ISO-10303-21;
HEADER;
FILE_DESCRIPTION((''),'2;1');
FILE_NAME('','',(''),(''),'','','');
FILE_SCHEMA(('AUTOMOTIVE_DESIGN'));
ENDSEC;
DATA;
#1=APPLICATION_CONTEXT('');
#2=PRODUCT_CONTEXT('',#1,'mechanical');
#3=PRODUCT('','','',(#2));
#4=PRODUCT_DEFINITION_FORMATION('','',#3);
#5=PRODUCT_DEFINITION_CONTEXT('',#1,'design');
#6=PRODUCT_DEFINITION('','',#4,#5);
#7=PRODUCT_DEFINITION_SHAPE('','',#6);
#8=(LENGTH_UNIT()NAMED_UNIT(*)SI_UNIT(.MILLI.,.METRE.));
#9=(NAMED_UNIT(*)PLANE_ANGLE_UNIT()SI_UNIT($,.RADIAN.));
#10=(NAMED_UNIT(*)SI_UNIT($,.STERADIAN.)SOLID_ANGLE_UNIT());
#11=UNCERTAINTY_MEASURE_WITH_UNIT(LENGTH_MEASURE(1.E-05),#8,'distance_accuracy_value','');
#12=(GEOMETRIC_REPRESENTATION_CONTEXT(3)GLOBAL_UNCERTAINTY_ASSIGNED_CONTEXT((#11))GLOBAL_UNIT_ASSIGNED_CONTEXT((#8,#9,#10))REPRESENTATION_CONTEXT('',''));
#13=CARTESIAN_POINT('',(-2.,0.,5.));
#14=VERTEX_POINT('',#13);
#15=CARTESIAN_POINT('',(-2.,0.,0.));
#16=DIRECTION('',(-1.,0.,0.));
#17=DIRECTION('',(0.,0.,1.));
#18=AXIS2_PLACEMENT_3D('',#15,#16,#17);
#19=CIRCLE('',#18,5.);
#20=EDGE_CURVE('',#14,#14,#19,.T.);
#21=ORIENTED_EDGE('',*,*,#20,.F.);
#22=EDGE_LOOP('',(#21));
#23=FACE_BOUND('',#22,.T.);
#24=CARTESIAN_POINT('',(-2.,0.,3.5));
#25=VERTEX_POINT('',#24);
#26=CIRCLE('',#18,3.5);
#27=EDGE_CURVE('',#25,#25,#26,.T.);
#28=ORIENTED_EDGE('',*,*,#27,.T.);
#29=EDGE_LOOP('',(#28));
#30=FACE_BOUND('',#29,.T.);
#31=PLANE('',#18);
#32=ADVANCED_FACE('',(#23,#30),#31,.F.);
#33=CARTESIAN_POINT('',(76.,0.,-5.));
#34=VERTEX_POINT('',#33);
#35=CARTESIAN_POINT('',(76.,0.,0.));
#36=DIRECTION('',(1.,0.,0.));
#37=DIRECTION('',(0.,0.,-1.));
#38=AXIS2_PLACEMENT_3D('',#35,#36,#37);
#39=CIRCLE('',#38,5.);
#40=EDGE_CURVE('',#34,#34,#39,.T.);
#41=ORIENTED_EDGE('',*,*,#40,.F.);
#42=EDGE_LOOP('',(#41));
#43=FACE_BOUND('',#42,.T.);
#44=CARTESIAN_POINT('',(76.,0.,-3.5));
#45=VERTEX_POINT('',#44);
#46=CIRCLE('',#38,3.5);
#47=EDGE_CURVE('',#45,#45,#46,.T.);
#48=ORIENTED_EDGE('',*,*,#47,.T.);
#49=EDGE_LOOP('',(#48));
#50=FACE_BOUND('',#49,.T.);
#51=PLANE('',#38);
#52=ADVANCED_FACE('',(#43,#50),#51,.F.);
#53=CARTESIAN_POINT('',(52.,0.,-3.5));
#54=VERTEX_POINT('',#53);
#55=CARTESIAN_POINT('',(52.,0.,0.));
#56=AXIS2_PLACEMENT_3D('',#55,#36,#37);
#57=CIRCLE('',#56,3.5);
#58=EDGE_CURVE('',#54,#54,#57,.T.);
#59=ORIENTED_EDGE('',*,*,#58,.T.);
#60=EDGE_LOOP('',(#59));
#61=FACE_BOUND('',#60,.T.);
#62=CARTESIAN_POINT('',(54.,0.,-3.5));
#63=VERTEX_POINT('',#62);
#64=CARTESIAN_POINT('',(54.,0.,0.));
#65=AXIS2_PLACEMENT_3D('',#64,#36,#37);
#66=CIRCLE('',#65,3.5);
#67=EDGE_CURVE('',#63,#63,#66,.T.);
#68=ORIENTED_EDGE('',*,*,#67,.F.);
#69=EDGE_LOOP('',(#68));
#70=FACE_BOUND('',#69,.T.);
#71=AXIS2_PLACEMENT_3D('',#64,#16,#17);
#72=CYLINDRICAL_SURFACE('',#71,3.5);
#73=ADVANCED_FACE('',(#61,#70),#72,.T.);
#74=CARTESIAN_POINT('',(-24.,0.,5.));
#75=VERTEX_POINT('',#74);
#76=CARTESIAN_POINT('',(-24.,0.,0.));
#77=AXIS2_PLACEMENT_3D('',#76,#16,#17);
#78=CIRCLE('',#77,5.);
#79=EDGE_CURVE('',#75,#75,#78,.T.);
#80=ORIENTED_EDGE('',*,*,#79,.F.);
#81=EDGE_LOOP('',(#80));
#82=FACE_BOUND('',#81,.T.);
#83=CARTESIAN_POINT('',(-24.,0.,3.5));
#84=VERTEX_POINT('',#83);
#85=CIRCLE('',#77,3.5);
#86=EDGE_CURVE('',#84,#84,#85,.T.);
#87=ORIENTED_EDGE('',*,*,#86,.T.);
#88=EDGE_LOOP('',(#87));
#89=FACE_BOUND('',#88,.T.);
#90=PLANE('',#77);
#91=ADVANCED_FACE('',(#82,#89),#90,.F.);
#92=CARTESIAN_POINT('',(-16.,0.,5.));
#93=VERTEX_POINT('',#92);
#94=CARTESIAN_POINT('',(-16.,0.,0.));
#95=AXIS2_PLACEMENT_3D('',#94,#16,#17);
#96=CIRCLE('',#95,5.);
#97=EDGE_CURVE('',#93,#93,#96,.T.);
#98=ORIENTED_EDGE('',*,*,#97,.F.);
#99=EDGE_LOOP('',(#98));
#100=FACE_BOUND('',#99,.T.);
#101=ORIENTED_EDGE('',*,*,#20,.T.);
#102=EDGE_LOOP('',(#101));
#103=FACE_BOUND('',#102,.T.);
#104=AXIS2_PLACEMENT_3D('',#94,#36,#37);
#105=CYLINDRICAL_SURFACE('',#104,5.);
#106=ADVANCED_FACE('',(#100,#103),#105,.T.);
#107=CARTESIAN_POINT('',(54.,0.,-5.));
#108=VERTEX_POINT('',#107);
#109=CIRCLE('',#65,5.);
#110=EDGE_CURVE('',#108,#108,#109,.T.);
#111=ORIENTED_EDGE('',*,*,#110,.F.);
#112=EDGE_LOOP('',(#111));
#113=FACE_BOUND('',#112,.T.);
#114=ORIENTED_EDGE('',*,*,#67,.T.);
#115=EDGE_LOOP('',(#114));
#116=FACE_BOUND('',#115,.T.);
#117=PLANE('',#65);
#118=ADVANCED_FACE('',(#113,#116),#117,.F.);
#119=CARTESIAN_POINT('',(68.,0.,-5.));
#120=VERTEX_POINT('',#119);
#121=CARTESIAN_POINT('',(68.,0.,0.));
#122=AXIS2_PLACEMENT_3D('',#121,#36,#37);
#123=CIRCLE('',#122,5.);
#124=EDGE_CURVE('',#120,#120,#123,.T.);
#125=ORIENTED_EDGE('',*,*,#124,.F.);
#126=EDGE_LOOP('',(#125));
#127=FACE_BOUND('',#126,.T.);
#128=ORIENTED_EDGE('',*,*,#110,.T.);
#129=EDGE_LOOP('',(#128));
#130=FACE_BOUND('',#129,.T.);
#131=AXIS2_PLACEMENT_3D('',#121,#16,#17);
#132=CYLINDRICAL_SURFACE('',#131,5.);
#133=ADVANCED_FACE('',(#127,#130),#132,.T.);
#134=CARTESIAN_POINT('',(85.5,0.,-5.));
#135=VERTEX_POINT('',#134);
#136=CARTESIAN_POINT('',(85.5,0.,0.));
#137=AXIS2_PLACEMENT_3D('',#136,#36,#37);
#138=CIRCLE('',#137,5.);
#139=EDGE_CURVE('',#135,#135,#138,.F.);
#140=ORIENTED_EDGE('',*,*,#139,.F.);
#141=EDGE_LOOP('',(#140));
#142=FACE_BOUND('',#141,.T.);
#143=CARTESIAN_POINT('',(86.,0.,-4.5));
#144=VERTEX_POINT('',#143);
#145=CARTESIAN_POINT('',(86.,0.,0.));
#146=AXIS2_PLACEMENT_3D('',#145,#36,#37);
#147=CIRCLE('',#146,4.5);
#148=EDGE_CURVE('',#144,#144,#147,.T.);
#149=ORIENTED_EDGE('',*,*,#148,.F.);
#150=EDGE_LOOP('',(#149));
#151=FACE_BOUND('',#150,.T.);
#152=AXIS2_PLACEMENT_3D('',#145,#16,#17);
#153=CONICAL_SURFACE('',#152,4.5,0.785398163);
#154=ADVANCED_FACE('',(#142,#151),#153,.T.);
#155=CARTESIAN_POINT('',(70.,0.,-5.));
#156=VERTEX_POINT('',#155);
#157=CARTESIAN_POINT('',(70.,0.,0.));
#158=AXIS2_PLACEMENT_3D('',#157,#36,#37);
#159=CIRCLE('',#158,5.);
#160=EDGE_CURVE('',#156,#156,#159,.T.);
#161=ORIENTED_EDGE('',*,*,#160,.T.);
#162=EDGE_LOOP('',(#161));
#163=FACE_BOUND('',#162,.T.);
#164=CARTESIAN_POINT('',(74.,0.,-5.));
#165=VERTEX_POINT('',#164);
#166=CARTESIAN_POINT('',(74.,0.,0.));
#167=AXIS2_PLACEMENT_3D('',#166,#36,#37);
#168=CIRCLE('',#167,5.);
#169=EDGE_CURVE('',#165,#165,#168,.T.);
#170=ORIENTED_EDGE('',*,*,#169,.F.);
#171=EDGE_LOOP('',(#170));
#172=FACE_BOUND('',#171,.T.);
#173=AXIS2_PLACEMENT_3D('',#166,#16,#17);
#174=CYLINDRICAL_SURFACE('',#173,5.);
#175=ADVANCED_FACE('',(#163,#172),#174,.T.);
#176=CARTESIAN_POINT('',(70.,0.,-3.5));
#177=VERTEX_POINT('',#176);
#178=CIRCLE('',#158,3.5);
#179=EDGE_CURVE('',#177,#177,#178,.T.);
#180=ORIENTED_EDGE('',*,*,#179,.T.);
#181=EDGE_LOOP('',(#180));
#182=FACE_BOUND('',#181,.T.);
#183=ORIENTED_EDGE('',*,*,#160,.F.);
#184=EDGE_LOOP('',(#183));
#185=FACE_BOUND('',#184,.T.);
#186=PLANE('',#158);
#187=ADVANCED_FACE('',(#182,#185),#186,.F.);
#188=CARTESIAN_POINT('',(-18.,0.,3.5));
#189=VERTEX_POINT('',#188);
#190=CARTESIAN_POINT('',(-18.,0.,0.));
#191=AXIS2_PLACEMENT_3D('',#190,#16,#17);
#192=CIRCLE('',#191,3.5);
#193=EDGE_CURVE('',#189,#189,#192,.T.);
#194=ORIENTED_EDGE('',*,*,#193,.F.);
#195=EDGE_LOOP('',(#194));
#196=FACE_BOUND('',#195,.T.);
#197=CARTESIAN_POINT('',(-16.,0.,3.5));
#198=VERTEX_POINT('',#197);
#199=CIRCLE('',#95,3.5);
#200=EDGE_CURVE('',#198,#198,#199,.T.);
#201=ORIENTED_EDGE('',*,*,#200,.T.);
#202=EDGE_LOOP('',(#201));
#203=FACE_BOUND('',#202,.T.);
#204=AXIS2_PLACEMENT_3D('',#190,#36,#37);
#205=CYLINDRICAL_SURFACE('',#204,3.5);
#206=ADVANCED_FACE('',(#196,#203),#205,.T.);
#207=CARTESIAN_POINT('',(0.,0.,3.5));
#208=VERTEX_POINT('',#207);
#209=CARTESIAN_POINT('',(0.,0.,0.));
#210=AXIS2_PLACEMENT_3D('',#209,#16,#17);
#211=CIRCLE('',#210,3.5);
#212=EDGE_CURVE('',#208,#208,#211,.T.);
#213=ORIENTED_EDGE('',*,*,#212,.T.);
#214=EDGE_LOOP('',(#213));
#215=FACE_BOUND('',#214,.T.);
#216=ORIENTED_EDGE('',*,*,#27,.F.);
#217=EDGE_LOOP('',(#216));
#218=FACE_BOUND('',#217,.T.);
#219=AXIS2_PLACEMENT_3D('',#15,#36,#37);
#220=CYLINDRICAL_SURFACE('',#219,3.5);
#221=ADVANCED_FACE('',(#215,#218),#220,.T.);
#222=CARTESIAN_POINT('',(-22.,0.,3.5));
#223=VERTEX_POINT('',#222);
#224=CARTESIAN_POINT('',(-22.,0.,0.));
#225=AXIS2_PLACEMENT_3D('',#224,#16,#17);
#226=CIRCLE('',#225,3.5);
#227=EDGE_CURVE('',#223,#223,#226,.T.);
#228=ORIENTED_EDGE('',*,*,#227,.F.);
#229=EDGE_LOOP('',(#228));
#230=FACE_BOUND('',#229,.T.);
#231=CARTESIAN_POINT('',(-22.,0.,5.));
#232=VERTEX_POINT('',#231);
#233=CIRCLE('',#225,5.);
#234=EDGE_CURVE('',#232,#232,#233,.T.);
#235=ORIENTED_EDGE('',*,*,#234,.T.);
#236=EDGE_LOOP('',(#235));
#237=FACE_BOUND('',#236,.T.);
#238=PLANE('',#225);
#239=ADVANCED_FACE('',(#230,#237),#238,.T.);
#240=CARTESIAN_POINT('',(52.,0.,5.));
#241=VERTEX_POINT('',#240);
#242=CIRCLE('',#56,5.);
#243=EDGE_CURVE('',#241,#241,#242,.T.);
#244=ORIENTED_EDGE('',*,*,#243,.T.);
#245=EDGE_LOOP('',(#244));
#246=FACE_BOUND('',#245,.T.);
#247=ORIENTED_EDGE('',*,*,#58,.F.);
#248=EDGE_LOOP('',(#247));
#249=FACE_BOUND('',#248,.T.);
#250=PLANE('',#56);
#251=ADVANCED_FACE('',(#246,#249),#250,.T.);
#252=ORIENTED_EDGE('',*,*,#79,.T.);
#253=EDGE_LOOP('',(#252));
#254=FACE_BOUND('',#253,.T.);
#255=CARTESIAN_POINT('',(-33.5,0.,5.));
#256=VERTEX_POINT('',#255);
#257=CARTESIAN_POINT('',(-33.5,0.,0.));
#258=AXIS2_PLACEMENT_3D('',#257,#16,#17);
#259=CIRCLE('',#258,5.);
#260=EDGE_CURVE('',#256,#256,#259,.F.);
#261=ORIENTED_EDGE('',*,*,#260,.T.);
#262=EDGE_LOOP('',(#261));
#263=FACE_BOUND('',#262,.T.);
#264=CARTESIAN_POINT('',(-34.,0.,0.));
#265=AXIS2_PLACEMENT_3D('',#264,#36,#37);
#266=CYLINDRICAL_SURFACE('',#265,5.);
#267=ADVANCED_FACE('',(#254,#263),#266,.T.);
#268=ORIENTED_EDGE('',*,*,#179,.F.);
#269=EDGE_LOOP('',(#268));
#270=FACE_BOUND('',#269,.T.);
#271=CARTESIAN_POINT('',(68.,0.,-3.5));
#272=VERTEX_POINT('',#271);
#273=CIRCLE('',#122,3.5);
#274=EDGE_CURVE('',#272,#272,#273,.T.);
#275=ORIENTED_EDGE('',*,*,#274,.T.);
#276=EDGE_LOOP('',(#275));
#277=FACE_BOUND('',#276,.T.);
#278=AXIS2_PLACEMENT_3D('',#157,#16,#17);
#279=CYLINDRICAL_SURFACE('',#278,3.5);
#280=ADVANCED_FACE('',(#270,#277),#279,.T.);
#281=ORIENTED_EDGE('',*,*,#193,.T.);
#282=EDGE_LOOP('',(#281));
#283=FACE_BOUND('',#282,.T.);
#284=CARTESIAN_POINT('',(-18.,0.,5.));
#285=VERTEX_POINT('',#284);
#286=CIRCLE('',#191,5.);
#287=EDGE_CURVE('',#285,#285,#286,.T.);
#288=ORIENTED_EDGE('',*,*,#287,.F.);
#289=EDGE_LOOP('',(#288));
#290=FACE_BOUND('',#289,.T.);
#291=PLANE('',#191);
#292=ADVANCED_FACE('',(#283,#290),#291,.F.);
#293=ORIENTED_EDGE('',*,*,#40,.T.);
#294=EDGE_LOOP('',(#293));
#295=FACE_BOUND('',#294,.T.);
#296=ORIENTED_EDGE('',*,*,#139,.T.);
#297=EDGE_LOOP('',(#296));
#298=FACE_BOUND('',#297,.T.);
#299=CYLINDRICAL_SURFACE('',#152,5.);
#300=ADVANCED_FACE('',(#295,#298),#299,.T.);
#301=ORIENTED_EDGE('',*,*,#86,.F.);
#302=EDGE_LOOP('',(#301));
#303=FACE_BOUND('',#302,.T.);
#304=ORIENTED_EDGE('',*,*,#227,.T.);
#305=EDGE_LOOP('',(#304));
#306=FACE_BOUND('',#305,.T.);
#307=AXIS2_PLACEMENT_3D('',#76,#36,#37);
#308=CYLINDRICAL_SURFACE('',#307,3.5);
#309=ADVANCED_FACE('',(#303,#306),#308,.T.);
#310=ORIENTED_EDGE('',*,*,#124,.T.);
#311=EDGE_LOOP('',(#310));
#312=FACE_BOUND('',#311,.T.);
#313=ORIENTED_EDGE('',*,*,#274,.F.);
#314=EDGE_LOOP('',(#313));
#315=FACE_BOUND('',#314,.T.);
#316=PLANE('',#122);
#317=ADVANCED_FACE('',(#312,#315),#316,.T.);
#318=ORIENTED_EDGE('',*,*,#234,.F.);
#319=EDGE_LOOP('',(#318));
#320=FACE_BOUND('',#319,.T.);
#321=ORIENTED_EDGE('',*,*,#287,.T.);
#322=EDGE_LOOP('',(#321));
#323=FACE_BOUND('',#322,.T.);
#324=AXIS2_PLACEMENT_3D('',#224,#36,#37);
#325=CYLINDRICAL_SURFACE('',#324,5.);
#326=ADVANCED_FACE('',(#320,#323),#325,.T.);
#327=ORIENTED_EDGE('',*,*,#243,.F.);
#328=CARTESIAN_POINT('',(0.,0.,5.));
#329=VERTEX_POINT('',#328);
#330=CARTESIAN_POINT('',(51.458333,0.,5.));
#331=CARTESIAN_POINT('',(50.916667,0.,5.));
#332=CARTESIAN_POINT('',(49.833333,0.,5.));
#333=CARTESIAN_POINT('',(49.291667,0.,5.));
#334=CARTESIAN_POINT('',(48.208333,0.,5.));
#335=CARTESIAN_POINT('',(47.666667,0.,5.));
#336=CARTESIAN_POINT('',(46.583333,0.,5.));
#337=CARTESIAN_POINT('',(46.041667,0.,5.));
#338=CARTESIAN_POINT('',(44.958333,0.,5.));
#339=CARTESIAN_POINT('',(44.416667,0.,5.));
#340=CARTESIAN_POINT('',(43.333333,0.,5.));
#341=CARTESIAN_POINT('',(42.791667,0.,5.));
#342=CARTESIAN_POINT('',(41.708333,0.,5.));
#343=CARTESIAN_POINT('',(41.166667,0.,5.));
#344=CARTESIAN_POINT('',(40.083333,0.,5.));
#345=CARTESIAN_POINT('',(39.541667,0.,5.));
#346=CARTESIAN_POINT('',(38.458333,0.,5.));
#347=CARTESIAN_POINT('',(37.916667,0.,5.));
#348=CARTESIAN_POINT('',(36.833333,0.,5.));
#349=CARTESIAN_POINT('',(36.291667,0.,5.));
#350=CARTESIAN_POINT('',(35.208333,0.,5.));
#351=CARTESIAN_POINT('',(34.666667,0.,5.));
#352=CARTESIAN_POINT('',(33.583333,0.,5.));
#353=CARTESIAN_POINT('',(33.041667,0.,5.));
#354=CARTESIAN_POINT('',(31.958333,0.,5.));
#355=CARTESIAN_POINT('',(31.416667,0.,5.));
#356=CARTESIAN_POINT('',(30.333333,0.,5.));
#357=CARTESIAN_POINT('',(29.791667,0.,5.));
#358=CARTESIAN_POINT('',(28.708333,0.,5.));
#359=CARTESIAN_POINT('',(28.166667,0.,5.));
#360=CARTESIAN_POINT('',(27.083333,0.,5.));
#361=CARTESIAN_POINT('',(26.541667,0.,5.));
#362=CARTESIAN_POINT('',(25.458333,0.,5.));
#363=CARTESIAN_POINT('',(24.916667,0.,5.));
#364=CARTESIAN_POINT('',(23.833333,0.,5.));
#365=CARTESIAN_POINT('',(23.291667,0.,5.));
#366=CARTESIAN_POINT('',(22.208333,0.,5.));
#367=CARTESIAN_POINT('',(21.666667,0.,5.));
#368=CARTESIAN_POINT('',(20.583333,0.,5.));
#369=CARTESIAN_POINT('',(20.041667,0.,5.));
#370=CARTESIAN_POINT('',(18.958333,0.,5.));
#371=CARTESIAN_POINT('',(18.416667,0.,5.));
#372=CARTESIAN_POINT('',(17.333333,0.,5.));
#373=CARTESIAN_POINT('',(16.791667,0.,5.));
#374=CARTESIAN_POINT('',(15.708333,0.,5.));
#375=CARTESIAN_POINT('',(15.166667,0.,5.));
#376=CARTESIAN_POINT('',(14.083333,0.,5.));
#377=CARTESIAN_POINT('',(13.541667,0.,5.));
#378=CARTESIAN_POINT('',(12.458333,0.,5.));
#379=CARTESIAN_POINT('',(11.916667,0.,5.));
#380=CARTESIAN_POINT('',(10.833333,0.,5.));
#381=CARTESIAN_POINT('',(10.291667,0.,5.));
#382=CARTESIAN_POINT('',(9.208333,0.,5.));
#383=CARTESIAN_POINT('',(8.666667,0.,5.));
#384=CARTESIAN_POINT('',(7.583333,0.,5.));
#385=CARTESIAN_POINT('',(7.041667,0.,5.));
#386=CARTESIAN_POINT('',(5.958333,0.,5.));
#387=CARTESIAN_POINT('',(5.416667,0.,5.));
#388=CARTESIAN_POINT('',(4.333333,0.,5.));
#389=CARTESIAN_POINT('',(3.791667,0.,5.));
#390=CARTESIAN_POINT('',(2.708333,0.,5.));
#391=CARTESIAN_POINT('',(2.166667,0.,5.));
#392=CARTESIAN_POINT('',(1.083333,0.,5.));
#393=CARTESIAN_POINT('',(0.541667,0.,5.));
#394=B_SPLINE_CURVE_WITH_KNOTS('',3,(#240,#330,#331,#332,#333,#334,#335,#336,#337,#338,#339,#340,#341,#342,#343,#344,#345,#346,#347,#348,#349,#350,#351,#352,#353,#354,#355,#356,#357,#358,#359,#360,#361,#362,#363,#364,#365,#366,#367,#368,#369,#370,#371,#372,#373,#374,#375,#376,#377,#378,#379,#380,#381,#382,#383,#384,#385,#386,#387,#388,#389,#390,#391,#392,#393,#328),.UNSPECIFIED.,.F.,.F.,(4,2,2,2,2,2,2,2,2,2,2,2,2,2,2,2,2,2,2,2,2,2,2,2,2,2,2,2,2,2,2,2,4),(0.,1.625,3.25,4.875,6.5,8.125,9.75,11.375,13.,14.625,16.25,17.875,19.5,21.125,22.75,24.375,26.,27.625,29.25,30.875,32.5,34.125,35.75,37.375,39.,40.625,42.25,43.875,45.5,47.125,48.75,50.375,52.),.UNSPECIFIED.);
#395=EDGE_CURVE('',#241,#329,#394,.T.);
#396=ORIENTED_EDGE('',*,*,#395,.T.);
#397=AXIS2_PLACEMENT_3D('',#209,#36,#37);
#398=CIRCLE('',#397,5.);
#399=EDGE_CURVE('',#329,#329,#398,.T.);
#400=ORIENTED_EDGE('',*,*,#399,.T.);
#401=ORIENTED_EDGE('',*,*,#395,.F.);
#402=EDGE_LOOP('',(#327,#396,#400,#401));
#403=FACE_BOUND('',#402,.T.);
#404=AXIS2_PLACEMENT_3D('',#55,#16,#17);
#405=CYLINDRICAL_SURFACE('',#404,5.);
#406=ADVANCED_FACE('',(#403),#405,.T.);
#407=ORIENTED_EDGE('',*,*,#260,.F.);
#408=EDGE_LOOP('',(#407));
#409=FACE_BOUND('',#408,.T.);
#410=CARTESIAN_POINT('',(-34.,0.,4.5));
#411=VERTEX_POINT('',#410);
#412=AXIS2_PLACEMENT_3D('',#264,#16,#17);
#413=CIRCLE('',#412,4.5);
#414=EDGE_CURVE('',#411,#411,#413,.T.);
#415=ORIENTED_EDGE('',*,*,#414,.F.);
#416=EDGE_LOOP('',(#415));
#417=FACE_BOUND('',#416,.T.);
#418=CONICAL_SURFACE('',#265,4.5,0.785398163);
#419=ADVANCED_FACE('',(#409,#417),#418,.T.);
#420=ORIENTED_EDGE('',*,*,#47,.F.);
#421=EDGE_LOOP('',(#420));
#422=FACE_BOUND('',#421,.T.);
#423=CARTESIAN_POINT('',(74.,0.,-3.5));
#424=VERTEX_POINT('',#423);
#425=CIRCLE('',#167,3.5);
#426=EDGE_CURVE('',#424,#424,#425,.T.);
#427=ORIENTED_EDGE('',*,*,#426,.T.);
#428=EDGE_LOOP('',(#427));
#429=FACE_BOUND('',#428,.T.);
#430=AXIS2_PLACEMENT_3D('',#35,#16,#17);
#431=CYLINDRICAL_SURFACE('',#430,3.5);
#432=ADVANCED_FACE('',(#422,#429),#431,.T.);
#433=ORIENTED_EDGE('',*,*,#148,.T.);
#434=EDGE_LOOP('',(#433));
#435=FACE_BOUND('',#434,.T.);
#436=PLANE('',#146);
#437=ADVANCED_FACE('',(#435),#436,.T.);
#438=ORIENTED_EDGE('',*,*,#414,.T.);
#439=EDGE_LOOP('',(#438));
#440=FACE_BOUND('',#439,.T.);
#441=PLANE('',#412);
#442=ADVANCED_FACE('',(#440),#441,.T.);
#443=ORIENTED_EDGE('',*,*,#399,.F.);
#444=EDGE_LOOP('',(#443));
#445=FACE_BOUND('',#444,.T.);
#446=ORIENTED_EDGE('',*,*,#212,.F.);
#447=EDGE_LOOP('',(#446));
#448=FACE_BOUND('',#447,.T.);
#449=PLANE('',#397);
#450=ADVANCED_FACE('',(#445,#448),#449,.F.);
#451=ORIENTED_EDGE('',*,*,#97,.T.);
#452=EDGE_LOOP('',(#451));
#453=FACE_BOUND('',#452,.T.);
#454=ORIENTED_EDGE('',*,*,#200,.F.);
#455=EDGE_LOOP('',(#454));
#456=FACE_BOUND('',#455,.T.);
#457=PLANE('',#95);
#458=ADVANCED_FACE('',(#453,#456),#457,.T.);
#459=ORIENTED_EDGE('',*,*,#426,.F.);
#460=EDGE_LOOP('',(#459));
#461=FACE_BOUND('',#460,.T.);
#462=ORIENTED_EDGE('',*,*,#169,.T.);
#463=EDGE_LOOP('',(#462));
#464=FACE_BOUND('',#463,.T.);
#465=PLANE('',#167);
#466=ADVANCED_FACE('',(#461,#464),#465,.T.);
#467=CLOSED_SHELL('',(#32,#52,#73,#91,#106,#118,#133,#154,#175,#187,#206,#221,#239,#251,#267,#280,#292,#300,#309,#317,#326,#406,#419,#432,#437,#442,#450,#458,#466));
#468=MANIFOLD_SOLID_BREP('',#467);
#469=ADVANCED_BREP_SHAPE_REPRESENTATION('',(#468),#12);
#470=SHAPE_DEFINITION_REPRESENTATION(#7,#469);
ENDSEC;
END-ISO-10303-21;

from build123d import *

# Parameters (mm, degrees)
SKETCH_1_R       = 5
EXTRUDE_1_DEPTH  = 52
SKETCH_2_R       = 3.5
EXTRUDE_2_DEPTH  = 2
SKETCH_3_R       = 5
EXTRUDE_3_DEPTH  = 14
SKETCH_4_R       = 3.5
EXTRUDE_4_DEPTH  = 2
SKETCH_5_R       = 5
EXTRUDE_5_DEPTH  = 4
SKETCH_6_R       = 3.5
EXTRUDE_6_DEPTH  = 2
SKETCH_7_R       = 5
EXTRUDE_7_DEPTH  = 10
EXTRUDE_START    = 2
SKETCH_8_R       = 3.5
EXTRUDE_8_DEPTH  = 2
EXTRUDE_START_2  = 14
SKETCH_9_R       = 5
EXTRUDE_9_DEPTH  = 14
SKETCH_10_R      = 3.5
EXTRUDE_10_DEPTH = 2
EXTRUDE_START_3  = 4
SKETCH_11_R      = 5
EXTRUDE_11_DEPTH = 4
SKETCH_12_R      = 3.5
EXTRUDE_12_DEPTH = 2
EXTRUDE_START_4  = 10
SKETCH_13_R      = 5
EXTRUDE_13_DEPTH = 10
CHAMFER_1_SIZE   = 0.5


with BuildPart() as part:
    # 草图1 → 凸台-拉伸1 (new body)
    with BuildSketch(Plane(origin=(0, 0, 0), x_dir=(0, 0, -1), z_dir=(1, 0, 0))):
        with Locations(Location((0, 0, 0), (0, 0, 180))):
            Circle(SKETCH_1_R)
    extrude(amount=EXTRUDE_1_DEPTH)

    # 草图2 → 凸台-拉伸2 (add)
    with BuildSketch(Plane(origin=(52, 0, 0), x_dir=(0, 0, -1), z_dir=(1, 0, 0))):
        Circle(SKETCH_2_R)
    extrude(amount=EXTRUDE_2_DEPTH)

    # 草图3 → 凸台-拉伸3 (add)
    with BuildSketch(Plane(origin=(54, 0, 0), x_dir=(0, 0, -1), z_dir=(1, 0, 0))):
        with Locations(Location((0, 0, 0), (0, 0, 180))):
            Circle(SKETCH_3_R)
    extrude(amount=EXTRUDE_3_DEPTH)

    # 草图4 → 凸台-拉伸4 (add)
    with BuildSketch(Plane(origin=(68, 0, 0), x_dir=(0, 0, -1), z_dir=(1, 0, 0))):
        Circle(SKETCH_4_R)
    extrude(amount=EXTRUDE_4_DEPTH)

    # 草图5 → 凸台-拉伸5 (add)
    with BuildSketch(Plane(origin=(70, 0, 0), x_dir=(0, 0, -1), z_dir=(1, 0, 0))):
        with Locations(Location((0, 0, 0), (0, 0, 180))):
            Circle(SKETCH_5_R)
    extrude(amount=EXTRUDE_5_DEPTH)

    # 草图6 → 凸台-拉伸6 (add)
    with BuildSketch(Plane(origin=(74, 0, 0), x_dir=(0, 0, -1), z_dir=(1, 0, 0))):
        Circle(SKETCH_6_R)
    extrude(amount=EXTRUDE_6_DEPTH)

    # 草图7 → 凸台-拉伸7 (add)
    with BuildSketch(Plane(origin=(76, 0, 0), x_dir=(0, 0, -1), z_dir=(1, 0, 0))):
        with Locations(Location((0, 0, 0), (0, 0, 180))):
            Circle(SKETCH_7_R)
    extrude(amount=EXTRUDE_7_DEPTH)

    # 草图8 → 凸台-拉伸8 (add)
    with BuildSketch(Plane.ZY.offset(EXTRUDE_START)):
        with Locations(Location((0, 0, 0), (0, 0, 180))):
            Circle(SKETCH_8_R)
    extrude(amount=-EXTRUDE_8_DEPTH)

    # 草图9 → 凸台-拉伸9 (add)
    with BuildSketch(Plane.ZY.offset(2).offset(EXTRUDE_START_2)):
        Circle(SKETCH_9_R)
    extrude(amount=-EXTRUDE_9_DEPTH)

    # 草图10 → 凸台-拉伸10 (add)
    with BuildSketch(Plane.ZY.offset(16).offset(EXTRUDE_START)):
        with Locations(Location((0, 0, 0), (0, 0, 180))):
            Circle(SKETCH_10_R)
    extrude(amount=-EXTRUDE_10_DEPTH)

    # 草图11 → 凸台-拉伸11 (add)
    with BuildSketch(Plane.ZY.offset(18).offset(EXTRUDE_START_3)):
        Circle(SKETCH_11_R)
    extrude(amount=-EXTRUDE_11_DEPTH)

    # 草图12 → 凸台-拉伸12 (add)
    with BuildSketch(Plane.ZY.offset(22).offset(EXTRUDE_START)):
        with Locations(Location((0, 0, 0), (0, 0, 180))):
            Circle(SKETCH_12_R)
    extrude(amount=-EXTRUDE_12_DEPTH)

    # 草图13 → 凸台-拉伸13 (add)
    with BuildSketch(Plane.ZY.offset(24).offset(EXTRUDE_START_4)):
        Circle(SKETCH_13_R)
    extrude(amount=-EXTRUDE_13_DEPTH)

    # 倒角1
    chamfer_1_edges = [part.edges().sort_by_distance(p)[0] for p in [
        (86, 0, -5),
        (-34, 0, -5),
    ]]
    chamfer(chamfer_1_edges, length=CHAMFER_1_SIZE)


solid = part.part
